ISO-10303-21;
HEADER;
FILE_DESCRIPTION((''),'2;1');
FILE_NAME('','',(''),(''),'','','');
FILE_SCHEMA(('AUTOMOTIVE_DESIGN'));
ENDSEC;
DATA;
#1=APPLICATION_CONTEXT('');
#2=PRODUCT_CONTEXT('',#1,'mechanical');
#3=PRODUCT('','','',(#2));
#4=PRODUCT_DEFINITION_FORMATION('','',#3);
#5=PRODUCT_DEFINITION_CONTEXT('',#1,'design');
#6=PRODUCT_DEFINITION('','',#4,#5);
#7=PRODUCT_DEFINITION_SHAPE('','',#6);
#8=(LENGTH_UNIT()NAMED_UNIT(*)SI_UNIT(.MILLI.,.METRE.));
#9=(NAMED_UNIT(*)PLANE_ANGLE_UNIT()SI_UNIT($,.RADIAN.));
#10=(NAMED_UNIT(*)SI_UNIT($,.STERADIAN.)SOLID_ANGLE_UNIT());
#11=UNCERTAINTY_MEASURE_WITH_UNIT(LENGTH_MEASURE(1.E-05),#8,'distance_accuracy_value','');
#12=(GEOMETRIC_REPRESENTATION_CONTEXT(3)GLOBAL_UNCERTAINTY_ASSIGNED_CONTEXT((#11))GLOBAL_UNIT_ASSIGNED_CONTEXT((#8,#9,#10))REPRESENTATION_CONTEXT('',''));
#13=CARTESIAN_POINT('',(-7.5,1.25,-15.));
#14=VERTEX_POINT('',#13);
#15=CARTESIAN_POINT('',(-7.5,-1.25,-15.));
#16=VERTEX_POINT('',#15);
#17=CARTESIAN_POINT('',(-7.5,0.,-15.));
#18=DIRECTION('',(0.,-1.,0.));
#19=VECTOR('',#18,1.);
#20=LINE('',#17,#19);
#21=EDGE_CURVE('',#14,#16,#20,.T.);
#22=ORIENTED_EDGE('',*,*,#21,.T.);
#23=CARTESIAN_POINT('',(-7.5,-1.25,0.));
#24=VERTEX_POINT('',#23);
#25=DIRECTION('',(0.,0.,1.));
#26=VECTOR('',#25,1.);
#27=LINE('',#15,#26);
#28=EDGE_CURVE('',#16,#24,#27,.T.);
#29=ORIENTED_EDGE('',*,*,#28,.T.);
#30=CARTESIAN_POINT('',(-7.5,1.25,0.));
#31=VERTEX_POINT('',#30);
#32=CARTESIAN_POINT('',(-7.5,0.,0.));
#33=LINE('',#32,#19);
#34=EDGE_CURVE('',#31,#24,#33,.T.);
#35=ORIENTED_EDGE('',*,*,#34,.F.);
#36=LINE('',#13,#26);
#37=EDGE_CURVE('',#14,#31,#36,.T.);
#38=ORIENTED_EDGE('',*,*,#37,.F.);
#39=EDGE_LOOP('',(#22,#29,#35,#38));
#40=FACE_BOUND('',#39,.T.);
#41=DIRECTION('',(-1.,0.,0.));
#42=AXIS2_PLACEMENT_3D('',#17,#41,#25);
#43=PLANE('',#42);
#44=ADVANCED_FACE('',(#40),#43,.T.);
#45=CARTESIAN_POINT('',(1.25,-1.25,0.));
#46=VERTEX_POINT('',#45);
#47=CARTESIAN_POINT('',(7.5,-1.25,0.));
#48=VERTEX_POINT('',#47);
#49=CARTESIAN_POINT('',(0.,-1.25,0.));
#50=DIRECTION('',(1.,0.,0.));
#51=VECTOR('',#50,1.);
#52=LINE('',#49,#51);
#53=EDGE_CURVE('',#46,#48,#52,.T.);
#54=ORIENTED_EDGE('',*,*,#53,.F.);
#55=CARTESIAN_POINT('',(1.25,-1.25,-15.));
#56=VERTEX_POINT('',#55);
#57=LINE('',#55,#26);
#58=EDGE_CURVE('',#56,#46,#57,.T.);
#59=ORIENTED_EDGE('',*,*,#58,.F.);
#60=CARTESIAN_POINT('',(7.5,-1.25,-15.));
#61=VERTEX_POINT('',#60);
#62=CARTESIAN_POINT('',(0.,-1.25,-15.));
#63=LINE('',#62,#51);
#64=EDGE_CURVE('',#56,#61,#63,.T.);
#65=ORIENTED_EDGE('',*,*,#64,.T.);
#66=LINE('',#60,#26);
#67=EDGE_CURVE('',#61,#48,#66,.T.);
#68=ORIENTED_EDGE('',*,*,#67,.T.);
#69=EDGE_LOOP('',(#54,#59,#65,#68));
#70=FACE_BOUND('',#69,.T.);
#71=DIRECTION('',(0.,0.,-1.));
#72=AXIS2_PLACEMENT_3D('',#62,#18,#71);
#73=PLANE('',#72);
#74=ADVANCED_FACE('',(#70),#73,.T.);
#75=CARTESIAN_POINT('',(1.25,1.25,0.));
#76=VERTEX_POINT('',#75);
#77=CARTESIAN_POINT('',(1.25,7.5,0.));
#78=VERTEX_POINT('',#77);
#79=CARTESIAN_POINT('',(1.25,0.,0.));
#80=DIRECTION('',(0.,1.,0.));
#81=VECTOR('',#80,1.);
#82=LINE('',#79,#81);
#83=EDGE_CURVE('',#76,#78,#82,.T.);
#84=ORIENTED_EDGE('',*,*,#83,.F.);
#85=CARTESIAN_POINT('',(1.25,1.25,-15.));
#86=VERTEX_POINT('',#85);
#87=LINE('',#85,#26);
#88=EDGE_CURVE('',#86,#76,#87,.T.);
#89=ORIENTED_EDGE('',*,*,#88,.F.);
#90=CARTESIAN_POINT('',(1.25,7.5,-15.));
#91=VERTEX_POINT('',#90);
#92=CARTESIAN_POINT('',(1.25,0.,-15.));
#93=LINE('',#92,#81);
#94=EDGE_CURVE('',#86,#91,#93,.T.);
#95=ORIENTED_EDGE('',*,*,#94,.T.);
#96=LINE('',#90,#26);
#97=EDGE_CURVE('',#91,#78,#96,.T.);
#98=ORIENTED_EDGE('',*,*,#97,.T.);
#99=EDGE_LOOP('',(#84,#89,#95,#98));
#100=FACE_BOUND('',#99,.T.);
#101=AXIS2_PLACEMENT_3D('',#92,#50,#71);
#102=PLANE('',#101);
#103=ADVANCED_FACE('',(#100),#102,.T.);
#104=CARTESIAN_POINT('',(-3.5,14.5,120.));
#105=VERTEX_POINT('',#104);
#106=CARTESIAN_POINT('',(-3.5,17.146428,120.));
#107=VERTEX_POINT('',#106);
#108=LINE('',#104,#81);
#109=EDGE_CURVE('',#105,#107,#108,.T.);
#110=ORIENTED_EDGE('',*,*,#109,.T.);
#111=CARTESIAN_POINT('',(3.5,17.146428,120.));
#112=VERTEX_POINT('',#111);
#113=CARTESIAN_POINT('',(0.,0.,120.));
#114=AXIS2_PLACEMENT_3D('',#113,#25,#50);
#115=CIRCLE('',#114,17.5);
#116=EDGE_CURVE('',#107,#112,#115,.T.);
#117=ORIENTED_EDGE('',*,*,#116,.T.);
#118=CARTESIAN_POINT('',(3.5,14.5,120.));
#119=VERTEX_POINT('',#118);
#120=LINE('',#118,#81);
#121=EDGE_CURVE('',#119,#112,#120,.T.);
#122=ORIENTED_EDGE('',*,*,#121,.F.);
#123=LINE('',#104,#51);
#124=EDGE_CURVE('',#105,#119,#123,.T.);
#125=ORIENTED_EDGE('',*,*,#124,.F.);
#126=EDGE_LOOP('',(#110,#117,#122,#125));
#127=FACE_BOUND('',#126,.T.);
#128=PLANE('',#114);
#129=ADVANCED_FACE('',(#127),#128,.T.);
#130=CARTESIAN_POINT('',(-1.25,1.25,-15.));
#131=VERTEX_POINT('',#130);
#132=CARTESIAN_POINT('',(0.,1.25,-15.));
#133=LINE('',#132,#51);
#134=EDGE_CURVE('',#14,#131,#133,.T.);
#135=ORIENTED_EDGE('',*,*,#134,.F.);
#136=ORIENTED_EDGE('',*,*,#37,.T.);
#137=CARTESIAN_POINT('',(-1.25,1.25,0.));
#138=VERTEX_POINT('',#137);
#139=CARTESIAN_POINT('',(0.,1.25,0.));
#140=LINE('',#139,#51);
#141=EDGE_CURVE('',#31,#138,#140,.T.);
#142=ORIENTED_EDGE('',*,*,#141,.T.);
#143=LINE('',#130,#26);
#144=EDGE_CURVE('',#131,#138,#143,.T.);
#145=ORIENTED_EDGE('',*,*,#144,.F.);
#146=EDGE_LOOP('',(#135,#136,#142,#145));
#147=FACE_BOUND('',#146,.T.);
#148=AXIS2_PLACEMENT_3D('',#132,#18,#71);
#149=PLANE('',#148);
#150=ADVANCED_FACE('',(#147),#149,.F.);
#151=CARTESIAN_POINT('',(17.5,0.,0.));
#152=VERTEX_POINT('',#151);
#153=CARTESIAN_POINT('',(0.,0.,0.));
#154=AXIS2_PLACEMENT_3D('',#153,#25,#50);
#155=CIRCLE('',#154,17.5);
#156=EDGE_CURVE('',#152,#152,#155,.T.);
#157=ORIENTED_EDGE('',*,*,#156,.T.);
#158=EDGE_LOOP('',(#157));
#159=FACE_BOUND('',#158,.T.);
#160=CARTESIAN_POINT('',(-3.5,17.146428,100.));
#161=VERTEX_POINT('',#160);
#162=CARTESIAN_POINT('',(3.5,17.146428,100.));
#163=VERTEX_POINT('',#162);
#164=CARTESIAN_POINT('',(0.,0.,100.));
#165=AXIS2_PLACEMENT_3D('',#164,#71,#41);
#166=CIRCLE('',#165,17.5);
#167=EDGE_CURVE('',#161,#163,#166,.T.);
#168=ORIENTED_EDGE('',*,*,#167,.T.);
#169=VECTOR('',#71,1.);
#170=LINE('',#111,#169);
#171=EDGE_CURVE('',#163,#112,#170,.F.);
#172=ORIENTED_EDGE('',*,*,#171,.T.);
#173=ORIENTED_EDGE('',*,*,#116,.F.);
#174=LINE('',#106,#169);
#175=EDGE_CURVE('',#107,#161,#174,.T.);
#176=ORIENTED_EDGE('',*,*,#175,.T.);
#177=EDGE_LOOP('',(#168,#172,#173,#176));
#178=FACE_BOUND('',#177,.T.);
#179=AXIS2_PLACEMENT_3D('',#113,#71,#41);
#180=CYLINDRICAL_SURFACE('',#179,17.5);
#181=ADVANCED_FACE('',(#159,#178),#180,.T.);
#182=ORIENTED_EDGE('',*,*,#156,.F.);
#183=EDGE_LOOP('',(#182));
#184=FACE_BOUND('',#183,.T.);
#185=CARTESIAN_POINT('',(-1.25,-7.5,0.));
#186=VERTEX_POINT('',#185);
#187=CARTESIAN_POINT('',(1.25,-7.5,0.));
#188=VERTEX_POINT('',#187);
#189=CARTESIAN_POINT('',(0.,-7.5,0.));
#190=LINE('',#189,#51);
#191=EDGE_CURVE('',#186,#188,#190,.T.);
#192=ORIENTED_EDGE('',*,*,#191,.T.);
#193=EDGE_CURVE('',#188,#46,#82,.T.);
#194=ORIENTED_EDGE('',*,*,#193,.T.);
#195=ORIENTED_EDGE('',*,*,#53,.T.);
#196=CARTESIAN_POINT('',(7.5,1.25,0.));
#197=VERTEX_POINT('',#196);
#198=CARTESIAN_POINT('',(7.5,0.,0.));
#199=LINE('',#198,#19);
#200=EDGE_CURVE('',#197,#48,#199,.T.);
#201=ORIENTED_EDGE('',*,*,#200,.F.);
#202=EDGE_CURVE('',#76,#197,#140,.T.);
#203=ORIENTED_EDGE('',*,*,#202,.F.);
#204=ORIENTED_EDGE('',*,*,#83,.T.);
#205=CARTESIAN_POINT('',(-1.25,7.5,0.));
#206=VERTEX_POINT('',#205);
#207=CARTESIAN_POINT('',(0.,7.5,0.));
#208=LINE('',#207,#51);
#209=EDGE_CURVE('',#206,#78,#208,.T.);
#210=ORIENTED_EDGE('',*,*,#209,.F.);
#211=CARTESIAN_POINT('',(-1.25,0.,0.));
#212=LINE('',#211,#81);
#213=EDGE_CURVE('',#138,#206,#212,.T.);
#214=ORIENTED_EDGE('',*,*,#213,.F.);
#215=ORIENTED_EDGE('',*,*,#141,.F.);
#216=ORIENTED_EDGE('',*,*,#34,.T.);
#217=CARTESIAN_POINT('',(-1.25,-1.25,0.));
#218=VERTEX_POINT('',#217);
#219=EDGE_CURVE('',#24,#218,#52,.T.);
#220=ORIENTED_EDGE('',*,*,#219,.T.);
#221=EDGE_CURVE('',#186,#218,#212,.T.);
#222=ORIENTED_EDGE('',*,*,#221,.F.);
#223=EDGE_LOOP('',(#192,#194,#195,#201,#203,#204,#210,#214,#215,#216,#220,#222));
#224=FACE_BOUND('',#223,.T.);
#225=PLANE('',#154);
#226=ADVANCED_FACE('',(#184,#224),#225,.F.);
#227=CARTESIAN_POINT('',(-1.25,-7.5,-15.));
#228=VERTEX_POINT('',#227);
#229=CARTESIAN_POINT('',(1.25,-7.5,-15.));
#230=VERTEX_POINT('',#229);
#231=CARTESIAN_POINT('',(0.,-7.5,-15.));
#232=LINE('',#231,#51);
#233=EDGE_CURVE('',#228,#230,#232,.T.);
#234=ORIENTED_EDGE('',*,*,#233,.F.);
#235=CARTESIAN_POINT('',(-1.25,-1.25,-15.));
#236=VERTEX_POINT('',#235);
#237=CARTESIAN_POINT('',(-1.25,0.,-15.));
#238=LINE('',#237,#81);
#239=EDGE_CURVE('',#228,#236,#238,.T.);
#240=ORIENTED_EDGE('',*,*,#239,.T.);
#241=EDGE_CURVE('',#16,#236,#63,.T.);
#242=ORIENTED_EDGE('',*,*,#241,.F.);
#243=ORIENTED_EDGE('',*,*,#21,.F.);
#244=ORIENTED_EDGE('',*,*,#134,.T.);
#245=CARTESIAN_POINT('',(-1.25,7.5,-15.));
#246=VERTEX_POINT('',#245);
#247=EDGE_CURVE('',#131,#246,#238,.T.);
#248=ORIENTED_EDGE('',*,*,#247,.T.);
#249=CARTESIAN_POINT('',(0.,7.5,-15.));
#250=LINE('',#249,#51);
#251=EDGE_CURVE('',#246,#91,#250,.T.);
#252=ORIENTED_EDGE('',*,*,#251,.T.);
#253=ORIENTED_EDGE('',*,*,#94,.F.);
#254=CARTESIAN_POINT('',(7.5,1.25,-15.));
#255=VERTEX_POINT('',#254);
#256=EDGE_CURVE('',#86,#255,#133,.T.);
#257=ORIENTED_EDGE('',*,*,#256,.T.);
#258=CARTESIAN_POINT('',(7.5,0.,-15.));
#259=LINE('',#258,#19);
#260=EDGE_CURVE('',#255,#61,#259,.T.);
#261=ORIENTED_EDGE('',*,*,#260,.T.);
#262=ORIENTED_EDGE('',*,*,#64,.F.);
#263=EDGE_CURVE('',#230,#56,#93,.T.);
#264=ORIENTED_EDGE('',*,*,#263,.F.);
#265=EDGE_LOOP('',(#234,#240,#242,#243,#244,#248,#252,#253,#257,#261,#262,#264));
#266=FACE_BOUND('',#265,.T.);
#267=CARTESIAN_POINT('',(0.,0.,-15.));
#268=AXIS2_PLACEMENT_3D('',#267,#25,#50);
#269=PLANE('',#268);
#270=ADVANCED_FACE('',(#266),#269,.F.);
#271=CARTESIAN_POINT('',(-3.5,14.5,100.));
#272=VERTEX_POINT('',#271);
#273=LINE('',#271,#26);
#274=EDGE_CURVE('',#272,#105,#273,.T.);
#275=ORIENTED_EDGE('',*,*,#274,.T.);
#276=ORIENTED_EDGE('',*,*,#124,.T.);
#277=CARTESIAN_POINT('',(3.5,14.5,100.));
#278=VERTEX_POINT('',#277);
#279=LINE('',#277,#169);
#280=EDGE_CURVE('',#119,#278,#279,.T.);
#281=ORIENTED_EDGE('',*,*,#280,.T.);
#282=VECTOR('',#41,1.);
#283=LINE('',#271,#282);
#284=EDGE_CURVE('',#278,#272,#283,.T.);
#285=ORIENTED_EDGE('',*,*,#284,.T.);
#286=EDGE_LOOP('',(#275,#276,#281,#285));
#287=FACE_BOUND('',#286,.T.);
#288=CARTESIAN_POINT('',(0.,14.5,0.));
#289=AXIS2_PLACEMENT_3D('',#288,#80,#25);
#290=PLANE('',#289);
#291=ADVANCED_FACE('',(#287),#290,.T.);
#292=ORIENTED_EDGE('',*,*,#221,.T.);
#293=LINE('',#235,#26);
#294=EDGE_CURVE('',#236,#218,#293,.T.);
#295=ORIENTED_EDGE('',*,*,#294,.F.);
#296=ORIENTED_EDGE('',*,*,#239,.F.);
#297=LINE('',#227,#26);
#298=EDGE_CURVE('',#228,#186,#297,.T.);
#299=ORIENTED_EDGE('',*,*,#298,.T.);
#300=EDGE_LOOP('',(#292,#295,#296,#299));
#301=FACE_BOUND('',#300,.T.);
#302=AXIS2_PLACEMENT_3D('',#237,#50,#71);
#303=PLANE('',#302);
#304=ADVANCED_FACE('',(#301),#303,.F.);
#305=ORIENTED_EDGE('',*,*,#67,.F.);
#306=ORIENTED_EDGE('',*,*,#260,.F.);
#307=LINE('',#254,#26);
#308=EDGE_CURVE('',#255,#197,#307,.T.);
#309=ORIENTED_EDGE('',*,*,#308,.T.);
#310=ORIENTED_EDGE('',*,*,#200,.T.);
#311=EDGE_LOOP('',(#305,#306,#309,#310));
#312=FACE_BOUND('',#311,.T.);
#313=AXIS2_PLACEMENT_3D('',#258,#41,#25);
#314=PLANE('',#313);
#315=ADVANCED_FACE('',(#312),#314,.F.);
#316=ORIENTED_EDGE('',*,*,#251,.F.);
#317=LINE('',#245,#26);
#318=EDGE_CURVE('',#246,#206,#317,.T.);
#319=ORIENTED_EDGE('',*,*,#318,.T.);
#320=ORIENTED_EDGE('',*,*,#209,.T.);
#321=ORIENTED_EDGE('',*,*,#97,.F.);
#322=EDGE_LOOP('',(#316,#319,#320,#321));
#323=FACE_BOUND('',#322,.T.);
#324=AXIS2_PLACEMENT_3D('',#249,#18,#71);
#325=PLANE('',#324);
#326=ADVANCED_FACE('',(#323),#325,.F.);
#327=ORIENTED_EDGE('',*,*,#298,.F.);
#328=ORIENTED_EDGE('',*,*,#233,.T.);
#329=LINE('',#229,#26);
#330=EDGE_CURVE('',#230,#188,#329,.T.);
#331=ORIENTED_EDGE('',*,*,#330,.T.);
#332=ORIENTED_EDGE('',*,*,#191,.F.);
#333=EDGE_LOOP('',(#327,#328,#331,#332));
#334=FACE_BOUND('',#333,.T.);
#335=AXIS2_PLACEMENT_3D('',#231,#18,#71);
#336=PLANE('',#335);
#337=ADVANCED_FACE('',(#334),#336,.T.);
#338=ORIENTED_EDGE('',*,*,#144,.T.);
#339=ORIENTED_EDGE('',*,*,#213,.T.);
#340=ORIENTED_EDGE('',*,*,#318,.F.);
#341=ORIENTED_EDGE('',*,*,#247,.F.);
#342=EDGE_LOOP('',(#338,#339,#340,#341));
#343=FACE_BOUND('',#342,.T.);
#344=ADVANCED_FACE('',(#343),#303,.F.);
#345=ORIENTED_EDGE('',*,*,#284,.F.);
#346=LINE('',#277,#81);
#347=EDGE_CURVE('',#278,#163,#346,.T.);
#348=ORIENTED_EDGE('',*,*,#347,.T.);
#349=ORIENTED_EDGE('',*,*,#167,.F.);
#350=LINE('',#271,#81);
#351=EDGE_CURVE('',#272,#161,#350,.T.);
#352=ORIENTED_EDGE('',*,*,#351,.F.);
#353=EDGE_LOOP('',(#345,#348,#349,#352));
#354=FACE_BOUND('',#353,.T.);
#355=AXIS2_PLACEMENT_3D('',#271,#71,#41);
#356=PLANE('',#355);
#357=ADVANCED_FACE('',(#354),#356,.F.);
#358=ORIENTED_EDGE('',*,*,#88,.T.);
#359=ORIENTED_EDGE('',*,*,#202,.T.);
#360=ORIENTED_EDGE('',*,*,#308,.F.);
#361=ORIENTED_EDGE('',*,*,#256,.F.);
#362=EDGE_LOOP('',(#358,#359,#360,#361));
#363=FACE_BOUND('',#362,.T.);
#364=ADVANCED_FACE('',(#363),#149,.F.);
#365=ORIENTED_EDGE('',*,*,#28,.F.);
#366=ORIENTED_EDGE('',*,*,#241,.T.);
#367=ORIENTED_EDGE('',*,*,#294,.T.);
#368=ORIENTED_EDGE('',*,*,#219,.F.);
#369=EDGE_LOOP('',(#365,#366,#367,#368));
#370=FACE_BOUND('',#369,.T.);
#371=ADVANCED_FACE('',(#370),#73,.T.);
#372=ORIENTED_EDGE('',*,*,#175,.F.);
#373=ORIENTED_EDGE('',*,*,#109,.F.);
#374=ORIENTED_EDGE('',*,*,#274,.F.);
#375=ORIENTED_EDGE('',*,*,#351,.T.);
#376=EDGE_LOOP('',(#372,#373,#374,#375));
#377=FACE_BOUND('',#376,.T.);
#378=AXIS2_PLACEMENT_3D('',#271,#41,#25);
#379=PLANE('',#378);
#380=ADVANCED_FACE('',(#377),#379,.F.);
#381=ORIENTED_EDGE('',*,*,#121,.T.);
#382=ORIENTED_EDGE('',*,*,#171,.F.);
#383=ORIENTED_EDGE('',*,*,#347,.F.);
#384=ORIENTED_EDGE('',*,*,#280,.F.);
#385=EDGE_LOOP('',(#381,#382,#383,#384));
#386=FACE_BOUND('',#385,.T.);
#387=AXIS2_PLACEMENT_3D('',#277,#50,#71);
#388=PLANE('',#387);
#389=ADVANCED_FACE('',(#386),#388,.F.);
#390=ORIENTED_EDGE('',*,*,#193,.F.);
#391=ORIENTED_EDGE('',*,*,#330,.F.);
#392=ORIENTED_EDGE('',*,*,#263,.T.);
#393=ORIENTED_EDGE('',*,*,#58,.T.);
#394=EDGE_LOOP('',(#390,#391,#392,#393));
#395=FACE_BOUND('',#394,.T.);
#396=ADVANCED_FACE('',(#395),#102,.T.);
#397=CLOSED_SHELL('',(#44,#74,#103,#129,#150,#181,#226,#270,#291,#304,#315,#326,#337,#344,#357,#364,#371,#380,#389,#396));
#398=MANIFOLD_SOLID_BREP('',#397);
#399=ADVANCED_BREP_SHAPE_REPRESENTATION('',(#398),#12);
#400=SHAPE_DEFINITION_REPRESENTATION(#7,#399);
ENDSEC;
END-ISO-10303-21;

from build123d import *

# Parameters (mm, degrees)
SKETCH_1_W          = 2.5
SKETCH_1_H          = 6.25
SKETCH_1_W_2        = 6.25
SKETCH_1_H_2        = 2.5
EXTRUDE_1_DEPTH     = 15
SKETCH_2_R          = 17.5
EXTRUDE_2_DEPTH     = 120
SKETCH_3_W          = 7
SKETCH_3_H          = 20
CUT_EXTRUDE_1_DEPTH = 3


with BuildPart() as part:
    # 草图1 → 凸台-拉伸1 (new body)
    with BuildSketch(Plane.XY):
        with Locations((0, 4.375)):
            Rectangle(SKETCH_1_W, SKETCH_1_H)
        with Locations((-4.375, 0)):
            Rectangle(SKETCH_1_W_2, SKETCH_1_H_2)
        with Locations((4.375, 0)):
            Rectangle(SKETCH_1_W_2, SKETCH_1_H_2)
        with Locations((0, -4.375)):
            Rectangle(SKETCH_1_W, SKETCH_1_H)
        Rectangle(SKETCH_1_W, SKETCH_1_H_2)
    extrude(amount=-EXTRUDE_1_DEPTH)

    # 草图2 → 凸台-拉伸2 (add)
    with BuildSketch(Plane.XY):
        Circle(SKETCH_2_R)
    extrude(amount=EXTRUDE_2_DEPTH)

    # 草图3 → 切除-拉伸1 (cut)
    with BuildSketch(Plane(origin=(0, 17.5, 0), x_dir=(1, 0, 0), z_dir=(0, 1, 0))):
        with Locations((0, -110)):
            Rectangle(SKETCH_3_W, SKETCH_3_H)
    extrude(amount=-CUT_EXTRUDE_1_DEPTH, mode=Mode.SUBTRACT)


solid = part.part
